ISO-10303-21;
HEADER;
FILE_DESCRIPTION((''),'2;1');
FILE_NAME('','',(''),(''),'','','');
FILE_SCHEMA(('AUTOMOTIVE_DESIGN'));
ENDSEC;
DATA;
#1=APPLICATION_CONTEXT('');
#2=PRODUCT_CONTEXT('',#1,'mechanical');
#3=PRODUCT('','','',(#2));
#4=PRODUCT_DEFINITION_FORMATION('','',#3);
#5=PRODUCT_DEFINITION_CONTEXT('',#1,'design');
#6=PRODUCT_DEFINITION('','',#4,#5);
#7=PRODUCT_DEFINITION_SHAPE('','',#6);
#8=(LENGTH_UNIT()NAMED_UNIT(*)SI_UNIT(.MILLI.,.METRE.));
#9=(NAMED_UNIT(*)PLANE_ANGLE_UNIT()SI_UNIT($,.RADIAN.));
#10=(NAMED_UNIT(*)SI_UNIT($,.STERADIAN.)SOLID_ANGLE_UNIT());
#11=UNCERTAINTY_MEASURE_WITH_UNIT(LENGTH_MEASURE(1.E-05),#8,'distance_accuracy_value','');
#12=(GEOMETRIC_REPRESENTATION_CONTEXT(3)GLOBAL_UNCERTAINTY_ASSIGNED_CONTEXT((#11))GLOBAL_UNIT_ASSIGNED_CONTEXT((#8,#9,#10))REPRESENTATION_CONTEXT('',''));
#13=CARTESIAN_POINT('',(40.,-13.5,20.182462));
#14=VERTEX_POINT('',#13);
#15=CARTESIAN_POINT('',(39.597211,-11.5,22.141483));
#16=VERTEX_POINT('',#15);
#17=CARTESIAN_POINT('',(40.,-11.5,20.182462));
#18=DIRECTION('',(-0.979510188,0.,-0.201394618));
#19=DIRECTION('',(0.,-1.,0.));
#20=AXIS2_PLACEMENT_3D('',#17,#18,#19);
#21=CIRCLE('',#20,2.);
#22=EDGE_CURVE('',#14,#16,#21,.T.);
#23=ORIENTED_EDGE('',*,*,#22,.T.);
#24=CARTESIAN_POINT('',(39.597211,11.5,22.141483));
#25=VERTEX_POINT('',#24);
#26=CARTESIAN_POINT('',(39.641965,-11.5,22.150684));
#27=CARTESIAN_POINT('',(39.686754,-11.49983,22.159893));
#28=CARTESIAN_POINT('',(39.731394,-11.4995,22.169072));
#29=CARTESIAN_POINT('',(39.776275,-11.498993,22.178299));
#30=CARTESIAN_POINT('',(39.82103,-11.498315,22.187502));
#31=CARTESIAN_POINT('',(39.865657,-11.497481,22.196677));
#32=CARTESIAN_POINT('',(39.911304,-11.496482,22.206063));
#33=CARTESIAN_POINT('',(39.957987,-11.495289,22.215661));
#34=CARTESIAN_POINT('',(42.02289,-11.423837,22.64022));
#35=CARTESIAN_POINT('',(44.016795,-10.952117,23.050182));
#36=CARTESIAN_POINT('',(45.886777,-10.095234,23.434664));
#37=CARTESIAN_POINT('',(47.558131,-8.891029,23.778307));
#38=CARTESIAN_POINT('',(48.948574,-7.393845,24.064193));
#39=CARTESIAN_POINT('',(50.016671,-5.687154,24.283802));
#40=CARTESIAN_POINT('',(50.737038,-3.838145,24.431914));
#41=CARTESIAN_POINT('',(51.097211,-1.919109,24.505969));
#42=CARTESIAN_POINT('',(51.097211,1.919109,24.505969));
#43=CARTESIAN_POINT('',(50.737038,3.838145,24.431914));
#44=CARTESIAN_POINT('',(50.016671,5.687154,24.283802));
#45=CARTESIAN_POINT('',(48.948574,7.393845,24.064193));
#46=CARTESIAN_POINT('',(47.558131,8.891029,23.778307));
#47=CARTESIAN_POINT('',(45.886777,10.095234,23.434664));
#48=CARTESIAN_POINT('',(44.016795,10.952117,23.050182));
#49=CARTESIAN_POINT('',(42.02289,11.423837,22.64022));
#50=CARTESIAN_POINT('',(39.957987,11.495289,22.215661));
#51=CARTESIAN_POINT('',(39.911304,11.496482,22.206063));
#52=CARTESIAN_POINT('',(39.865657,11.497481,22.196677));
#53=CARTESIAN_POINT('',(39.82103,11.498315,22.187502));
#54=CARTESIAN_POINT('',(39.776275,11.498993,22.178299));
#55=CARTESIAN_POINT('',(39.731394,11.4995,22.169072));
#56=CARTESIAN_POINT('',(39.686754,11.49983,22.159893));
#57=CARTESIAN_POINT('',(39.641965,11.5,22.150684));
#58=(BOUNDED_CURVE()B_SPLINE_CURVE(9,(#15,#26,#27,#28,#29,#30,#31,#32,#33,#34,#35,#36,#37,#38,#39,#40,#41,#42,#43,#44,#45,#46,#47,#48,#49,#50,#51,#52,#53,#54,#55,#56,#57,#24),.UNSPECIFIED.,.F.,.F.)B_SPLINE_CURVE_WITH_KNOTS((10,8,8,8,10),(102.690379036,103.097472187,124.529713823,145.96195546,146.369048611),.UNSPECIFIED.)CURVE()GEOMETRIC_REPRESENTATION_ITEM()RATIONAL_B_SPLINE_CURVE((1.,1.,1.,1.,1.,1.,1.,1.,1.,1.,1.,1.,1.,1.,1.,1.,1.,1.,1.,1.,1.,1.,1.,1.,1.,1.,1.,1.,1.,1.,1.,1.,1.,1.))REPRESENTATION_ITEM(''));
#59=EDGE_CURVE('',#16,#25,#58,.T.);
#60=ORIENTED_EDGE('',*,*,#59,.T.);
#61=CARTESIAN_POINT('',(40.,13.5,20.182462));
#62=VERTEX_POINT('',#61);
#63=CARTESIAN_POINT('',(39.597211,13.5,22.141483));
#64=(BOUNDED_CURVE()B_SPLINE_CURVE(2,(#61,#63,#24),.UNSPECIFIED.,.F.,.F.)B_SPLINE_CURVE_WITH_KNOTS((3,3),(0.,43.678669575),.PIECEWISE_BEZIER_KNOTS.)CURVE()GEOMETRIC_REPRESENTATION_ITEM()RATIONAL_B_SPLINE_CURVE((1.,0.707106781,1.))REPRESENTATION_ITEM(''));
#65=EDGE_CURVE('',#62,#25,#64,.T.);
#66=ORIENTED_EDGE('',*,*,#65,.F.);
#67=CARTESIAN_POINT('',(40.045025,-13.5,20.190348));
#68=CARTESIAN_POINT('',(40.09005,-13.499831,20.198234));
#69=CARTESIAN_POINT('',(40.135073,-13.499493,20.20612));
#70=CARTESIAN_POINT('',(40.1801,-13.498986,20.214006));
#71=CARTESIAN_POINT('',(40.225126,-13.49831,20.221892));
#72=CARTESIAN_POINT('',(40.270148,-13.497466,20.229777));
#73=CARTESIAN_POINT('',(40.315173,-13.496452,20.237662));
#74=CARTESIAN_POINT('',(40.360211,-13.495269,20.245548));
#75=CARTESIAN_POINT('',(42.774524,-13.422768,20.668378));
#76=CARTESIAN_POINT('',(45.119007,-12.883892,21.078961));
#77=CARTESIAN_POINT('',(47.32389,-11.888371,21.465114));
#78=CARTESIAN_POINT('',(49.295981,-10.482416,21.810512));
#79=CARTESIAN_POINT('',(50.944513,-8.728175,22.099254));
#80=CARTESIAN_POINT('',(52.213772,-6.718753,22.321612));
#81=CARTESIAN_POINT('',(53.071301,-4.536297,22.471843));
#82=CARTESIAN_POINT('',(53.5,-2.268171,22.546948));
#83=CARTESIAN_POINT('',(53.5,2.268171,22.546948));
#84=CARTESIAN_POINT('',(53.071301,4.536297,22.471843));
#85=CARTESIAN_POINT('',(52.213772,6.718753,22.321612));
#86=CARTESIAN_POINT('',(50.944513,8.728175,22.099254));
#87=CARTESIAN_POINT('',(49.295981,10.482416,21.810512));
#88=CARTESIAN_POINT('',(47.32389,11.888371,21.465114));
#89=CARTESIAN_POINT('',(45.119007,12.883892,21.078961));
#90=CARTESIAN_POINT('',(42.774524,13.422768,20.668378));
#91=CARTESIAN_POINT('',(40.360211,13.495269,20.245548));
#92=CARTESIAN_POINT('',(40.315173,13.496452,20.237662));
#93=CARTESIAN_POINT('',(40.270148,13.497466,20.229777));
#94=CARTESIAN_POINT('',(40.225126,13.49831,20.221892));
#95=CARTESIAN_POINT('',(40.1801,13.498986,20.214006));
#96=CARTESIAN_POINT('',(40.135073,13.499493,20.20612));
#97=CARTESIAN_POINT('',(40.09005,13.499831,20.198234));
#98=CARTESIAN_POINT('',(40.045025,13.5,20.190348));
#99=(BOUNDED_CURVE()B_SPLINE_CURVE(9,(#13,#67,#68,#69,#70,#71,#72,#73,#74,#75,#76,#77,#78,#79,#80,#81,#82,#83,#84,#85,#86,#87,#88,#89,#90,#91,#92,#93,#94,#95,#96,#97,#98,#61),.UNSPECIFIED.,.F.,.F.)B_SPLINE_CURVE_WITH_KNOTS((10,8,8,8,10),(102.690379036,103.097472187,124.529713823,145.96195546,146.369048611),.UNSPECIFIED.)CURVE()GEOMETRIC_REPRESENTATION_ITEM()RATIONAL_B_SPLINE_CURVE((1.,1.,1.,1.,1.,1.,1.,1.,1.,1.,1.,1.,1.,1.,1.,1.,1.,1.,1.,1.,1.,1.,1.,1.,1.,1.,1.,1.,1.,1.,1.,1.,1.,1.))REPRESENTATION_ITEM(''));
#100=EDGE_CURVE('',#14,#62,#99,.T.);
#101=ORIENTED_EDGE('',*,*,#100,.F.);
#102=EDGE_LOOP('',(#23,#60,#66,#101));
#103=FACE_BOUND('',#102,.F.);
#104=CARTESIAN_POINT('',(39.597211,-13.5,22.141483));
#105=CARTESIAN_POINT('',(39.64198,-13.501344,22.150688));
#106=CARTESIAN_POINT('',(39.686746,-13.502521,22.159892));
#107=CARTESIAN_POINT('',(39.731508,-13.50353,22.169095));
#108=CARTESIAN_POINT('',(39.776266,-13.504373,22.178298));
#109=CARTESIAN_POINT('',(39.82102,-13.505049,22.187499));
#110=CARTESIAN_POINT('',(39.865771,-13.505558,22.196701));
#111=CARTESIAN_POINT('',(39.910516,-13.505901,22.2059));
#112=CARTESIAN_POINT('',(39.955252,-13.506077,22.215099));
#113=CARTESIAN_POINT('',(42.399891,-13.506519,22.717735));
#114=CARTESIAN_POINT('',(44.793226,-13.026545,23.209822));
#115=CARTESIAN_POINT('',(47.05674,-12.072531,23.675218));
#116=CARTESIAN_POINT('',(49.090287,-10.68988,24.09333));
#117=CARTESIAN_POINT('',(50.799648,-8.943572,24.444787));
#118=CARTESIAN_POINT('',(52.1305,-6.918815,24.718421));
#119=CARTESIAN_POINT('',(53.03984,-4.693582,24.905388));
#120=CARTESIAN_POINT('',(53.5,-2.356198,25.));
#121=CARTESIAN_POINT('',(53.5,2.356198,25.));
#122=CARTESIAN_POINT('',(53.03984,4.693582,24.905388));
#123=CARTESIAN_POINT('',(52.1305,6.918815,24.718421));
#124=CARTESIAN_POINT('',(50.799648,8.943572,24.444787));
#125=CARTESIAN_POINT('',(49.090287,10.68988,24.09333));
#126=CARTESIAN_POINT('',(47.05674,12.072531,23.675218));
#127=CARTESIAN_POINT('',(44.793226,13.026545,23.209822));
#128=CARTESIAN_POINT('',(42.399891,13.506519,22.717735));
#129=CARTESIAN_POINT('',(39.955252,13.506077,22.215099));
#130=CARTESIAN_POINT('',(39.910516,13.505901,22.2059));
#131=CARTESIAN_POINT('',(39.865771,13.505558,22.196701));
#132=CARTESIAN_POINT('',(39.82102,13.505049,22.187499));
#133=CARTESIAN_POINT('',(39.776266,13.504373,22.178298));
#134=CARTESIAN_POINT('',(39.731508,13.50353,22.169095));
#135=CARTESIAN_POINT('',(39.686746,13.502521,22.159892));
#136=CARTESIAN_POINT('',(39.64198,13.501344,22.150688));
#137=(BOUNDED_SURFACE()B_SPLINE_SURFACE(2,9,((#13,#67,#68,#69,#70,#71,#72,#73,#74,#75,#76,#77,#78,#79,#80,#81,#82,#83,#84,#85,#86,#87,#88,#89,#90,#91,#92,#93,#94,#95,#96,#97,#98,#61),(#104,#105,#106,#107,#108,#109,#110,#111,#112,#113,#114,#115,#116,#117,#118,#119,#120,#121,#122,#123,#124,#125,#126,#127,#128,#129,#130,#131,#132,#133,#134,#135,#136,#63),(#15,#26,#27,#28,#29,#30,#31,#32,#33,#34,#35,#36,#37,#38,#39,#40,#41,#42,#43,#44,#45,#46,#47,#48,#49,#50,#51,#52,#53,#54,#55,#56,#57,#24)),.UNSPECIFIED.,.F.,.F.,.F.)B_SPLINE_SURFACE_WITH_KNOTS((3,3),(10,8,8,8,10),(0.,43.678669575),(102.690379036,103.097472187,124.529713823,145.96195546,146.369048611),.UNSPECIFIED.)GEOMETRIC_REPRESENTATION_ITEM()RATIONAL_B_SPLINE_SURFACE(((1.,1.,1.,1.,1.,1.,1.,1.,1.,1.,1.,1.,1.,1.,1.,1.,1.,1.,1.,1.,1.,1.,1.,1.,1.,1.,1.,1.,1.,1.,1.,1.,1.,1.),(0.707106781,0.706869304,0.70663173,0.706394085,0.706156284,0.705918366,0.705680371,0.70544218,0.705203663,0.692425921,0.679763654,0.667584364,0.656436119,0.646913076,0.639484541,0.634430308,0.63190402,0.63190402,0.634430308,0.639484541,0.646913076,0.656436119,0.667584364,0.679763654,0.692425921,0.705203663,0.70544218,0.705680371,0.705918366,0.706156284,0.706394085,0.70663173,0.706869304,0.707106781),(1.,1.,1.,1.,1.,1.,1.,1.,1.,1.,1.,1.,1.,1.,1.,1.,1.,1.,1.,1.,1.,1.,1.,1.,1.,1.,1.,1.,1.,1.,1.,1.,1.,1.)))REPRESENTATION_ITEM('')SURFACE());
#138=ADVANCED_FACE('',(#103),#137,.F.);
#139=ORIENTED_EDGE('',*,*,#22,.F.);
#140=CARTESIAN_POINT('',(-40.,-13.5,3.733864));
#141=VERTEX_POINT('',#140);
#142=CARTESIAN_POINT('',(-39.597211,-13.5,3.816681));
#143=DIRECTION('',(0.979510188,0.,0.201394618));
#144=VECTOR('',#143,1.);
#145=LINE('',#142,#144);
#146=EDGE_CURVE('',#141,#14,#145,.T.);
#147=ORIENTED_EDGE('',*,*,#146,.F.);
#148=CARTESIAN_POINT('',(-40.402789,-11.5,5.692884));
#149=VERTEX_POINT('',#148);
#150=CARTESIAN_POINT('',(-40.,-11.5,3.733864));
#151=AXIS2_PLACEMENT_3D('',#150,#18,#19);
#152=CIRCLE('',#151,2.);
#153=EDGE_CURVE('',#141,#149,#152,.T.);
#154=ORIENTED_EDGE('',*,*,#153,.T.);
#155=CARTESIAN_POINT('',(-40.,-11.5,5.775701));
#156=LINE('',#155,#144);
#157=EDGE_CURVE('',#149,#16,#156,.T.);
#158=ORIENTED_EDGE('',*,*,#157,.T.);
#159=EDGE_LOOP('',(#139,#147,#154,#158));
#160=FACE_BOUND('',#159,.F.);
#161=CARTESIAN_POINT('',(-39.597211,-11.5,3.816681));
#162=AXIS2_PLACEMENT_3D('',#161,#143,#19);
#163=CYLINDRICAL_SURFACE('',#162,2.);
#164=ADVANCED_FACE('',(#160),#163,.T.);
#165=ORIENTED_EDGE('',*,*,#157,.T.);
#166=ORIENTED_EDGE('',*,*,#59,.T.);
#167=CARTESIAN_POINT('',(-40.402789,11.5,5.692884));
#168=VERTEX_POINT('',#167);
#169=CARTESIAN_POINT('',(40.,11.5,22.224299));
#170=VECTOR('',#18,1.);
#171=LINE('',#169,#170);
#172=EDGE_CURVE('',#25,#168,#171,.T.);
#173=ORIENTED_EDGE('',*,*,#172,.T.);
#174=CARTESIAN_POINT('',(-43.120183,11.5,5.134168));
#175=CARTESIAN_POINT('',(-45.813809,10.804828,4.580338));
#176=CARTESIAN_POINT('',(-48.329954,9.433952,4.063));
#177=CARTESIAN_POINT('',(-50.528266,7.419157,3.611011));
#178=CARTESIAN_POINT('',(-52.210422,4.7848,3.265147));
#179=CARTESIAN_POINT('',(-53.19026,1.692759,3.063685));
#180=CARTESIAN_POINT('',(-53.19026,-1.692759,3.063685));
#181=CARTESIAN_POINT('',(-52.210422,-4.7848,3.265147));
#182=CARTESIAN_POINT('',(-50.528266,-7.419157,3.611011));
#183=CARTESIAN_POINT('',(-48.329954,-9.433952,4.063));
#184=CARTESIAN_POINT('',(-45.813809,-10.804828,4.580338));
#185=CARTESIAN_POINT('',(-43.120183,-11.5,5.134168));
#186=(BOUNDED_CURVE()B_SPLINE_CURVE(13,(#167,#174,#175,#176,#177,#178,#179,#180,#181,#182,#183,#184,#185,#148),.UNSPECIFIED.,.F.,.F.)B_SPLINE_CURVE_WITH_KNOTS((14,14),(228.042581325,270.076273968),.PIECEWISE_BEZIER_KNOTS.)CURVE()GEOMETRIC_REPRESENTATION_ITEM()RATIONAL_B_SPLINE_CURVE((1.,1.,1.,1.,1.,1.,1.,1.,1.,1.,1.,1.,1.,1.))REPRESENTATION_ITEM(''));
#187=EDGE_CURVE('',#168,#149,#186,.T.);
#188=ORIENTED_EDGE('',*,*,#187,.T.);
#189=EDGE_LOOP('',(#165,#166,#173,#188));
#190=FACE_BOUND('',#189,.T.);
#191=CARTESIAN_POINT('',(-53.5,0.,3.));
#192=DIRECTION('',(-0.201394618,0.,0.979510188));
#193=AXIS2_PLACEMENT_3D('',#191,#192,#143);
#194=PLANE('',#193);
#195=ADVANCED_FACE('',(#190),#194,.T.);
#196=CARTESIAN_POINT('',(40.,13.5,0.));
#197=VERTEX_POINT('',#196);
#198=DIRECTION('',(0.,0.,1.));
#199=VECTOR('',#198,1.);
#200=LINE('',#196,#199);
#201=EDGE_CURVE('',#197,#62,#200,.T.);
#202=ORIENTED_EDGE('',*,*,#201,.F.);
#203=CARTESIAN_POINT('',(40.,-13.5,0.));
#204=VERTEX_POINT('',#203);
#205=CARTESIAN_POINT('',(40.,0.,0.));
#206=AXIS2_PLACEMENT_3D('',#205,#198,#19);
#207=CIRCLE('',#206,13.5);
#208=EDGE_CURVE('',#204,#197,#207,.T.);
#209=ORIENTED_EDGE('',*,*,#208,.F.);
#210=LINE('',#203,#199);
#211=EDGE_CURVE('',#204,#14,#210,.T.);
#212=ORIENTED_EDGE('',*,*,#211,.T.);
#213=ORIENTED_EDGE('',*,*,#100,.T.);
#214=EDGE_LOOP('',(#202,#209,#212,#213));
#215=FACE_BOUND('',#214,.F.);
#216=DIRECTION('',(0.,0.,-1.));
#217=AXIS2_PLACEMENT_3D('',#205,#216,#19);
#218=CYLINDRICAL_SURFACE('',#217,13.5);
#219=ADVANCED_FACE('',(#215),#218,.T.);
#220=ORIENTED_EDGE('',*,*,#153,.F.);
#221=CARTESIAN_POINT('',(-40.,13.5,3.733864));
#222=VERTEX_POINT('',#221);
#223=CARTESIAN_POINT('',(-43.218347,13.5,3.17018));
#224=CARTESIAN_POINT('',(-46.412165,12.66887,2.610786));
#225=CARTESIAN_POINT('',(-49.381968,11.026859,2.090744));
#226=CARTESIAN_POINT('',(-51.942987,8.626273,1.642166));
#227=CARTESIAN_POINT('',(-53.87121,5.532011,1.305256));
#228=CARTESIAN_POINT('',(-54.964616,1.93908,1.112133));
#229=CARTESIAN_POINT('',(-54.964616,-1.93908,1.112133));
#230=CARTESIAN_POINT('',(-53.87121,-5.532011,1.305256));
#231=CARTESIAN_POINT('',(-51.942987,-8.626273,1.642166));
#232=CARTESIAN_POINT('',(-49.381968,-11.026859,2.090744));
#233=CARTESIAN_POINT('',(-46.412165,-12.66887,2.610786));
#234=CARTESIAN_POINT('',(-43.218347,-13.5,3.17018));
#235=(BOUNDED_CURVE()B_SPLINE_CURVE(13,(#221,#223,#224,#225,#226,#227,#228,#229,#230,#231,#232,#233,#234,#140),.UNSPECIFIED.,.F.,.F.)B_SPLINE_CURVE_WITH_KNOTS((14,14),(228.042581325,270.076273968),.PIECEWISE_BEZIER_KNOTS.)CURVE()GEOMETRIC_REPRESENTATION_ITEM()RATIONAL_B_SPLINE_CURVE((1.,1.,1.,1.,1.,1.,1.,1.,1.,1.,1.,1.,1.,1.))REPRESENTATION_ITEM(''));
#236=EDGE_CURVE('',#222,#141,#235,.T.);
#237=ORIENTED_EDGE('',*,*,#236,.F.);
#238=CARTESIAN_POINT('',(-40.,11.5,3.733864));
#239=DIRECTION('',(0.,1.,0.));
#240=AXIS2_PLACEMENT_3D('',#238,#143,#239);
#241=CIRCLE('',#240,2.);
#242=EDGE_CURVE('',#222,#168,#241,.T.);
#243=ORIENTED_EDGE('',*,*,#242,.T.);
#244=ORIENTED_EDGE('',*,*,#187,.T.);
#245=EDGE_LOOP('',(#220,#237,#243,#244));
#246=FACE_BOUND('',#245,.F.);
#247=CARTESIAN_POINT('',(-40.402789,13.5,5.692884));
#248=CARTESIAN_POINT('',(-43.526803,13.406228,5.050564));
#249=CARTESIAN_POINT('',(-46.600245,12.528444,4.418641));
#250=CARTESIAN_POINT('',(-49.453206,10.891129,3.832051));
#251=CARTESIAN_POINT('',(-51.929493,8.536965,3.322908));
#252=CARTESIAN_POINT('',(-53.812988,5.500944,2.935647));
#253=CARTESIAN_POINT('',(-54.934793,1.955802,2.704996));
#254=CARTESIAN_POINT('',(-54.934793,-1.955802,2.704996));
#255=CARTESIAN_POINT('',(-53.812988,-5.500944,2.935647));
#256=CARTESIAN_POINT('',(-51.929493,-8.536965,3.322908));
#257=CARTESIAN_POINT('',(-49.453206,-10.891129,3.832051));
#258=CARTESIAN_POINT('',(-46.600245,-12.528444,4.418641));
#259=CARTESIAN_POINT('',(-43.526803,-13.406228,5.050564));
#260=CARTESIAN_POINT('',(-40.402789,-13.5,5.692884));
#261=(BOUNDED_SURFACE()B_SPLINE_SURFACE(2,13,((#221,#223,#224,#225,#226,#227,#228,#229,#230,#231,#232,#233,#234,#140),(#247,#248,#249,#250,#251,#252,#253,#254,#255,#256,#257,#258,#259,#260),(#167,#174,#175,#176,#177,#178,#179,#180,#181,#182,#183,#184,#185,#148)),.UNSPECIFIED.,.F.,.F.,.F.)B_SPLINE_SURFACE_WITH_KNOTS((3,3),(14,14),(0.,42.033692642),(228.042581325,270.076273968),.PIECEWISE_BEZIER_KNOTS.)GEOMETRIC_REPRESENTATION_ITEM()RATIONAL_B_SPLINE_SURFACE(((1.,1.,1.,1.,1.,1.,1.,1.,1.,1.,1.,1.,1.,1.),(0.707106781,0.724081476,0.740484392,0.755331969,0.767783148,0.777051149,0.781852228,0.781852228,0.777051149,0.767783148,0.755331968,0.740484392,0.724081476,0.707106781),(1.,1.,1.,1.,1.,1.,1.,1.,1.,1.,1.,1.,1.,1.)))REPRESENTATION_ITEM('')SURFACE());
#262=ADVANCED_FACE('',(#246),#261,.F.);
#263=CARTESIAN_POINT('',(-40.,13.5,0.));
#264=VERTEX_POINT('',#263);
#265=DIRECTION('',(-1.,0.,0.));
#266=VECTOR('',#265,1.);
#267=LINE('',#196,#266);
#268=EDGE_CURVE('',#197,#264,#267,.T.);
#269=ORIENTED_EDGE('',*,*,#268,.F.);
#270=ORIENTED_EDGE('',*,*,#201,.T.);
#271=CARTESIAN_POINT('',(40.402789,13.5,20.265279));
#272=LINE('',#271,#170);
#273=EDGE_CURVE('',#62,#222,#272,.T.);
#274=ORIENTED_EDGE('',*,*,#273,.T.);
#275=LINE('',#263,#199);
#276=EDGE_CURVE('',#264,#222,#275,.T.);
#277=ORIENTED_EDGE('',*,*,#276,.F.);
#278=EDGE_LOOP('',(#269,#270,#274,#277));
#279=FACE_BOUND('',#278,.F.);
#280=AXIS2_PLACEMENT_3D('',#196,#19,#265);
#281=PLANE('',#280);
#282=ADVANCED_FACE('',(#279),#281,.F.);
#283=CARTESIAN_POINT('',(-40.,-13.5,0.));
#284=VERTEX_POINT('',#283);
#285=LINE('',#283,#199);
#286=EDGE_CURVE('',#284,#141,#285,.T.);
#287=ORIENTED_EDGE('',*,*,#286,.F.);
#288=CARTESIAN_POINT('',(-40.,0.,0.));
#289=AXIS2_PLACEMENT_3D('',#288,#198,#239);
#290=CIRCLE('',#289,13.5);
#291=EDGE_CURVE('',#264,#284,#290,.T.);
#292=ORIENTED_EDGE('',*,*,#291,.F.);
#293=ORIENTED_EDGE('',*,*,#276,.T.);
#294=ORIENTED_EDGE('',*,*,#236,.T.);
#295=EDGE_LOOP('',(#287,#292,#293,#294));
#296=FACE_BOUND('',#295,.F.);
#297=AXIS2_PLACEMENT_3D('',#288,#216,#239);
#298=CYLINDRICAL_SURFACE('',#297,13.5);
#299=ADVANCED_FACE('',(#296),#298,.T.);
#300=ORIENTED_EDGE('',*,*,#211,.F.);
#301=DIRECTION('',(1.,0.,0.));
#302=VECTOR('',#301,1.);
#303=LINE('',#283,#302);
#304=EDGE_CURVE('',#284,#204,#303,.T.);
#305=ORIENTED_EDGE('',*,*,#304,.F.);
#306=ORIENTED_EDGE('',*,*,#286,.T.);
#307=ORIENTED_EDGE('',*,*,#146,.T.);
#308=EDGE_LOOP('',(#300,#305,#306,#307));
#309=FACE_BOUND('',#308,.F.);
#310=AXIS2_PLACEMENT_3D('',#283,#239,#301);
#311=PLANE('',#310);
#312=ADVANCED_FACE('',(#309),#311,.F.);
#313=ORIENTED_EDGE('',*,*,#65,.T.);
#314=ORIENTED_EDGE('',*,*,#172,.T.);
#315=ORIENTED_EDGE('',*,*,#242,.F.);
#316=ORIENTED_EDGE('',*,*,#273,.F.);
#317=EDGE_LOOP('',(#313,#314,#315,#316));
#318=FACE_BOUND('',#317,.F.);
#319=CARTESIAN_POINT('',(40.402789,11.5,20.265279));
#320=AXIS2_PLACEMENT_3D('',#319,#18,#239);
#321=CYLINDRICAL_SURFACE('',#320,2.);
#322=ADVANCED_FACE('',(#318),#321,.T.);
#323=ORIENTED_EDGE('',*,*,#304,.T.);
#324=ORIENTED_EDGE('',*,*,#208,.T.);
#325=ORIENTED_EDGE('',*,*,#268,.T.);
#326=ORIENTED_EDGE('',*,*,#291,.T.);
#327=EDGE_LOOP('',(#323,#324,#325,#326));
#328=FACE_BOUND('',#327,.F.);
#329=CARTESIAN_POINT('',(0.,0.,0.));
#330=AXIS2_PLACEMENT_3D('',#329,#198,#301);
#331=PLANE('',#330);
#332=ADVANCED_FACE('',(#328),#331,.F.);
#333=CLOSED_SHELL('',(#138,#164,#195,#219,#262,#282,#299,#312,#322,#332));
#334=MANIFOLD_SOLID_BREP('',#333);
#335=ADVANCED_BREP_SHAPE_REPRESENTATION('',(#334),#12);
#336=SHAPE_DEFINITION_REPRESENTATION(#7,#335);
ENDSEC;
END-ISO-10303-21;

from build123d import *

# Parameters (mm, degrees)
F1_DEPTH      = 25
F3_DEPTH      = 25
F3_DEPTH_BACK = 25
F4_R          = 2


with BuildPart() as f1:
    # F0 (on Top) → F1 (new body)
    with BuildSketch(Plane.XY):
        with BuildLine():
            ThreePointArc((-40, 13.5), (-53.5, 0), (-40, -13.5))
            Line((-40, -13.5), (40, -13.5))
            ThreePointArc((40, -13.5), (53.5, 0), (40, 13.5))
            Line((40, 13.5), (-40, 13.5))
        make_face()
    extrude(amount=F1_DEPTH)

    # F2 (on Front) → F3 (cut, two sides)
    with BuildSketch(Plane.XZ) as f3_sk:
        Polygon((-53.5, 25), (-53.5, 3), (53.5, 25), align=None)
    extrude(amount=-F3_DEPTH, mode=Mode.SUBTRACT)
    extrude(f3_sk.sketch, amount=F3_DEPTH_BACK, mode=Mode.SUBTRACT)

    # F4
    f4_edges = [f1.edges().sort_by_distance(p)[0] for p in [
        (-49.496415, -9.595212, 3.823167),
        (0, -13.5, 14),
        (49.496415, -9.595212, 24.176833),
        (49.496415, 9.595212, 24.176833),
        (0, 13.5, 14),
        (-49.496415, 9.595212, 3.823167),
    ]]
    fillet(f4_edges, radius=F4_R)


solid = f1.part
